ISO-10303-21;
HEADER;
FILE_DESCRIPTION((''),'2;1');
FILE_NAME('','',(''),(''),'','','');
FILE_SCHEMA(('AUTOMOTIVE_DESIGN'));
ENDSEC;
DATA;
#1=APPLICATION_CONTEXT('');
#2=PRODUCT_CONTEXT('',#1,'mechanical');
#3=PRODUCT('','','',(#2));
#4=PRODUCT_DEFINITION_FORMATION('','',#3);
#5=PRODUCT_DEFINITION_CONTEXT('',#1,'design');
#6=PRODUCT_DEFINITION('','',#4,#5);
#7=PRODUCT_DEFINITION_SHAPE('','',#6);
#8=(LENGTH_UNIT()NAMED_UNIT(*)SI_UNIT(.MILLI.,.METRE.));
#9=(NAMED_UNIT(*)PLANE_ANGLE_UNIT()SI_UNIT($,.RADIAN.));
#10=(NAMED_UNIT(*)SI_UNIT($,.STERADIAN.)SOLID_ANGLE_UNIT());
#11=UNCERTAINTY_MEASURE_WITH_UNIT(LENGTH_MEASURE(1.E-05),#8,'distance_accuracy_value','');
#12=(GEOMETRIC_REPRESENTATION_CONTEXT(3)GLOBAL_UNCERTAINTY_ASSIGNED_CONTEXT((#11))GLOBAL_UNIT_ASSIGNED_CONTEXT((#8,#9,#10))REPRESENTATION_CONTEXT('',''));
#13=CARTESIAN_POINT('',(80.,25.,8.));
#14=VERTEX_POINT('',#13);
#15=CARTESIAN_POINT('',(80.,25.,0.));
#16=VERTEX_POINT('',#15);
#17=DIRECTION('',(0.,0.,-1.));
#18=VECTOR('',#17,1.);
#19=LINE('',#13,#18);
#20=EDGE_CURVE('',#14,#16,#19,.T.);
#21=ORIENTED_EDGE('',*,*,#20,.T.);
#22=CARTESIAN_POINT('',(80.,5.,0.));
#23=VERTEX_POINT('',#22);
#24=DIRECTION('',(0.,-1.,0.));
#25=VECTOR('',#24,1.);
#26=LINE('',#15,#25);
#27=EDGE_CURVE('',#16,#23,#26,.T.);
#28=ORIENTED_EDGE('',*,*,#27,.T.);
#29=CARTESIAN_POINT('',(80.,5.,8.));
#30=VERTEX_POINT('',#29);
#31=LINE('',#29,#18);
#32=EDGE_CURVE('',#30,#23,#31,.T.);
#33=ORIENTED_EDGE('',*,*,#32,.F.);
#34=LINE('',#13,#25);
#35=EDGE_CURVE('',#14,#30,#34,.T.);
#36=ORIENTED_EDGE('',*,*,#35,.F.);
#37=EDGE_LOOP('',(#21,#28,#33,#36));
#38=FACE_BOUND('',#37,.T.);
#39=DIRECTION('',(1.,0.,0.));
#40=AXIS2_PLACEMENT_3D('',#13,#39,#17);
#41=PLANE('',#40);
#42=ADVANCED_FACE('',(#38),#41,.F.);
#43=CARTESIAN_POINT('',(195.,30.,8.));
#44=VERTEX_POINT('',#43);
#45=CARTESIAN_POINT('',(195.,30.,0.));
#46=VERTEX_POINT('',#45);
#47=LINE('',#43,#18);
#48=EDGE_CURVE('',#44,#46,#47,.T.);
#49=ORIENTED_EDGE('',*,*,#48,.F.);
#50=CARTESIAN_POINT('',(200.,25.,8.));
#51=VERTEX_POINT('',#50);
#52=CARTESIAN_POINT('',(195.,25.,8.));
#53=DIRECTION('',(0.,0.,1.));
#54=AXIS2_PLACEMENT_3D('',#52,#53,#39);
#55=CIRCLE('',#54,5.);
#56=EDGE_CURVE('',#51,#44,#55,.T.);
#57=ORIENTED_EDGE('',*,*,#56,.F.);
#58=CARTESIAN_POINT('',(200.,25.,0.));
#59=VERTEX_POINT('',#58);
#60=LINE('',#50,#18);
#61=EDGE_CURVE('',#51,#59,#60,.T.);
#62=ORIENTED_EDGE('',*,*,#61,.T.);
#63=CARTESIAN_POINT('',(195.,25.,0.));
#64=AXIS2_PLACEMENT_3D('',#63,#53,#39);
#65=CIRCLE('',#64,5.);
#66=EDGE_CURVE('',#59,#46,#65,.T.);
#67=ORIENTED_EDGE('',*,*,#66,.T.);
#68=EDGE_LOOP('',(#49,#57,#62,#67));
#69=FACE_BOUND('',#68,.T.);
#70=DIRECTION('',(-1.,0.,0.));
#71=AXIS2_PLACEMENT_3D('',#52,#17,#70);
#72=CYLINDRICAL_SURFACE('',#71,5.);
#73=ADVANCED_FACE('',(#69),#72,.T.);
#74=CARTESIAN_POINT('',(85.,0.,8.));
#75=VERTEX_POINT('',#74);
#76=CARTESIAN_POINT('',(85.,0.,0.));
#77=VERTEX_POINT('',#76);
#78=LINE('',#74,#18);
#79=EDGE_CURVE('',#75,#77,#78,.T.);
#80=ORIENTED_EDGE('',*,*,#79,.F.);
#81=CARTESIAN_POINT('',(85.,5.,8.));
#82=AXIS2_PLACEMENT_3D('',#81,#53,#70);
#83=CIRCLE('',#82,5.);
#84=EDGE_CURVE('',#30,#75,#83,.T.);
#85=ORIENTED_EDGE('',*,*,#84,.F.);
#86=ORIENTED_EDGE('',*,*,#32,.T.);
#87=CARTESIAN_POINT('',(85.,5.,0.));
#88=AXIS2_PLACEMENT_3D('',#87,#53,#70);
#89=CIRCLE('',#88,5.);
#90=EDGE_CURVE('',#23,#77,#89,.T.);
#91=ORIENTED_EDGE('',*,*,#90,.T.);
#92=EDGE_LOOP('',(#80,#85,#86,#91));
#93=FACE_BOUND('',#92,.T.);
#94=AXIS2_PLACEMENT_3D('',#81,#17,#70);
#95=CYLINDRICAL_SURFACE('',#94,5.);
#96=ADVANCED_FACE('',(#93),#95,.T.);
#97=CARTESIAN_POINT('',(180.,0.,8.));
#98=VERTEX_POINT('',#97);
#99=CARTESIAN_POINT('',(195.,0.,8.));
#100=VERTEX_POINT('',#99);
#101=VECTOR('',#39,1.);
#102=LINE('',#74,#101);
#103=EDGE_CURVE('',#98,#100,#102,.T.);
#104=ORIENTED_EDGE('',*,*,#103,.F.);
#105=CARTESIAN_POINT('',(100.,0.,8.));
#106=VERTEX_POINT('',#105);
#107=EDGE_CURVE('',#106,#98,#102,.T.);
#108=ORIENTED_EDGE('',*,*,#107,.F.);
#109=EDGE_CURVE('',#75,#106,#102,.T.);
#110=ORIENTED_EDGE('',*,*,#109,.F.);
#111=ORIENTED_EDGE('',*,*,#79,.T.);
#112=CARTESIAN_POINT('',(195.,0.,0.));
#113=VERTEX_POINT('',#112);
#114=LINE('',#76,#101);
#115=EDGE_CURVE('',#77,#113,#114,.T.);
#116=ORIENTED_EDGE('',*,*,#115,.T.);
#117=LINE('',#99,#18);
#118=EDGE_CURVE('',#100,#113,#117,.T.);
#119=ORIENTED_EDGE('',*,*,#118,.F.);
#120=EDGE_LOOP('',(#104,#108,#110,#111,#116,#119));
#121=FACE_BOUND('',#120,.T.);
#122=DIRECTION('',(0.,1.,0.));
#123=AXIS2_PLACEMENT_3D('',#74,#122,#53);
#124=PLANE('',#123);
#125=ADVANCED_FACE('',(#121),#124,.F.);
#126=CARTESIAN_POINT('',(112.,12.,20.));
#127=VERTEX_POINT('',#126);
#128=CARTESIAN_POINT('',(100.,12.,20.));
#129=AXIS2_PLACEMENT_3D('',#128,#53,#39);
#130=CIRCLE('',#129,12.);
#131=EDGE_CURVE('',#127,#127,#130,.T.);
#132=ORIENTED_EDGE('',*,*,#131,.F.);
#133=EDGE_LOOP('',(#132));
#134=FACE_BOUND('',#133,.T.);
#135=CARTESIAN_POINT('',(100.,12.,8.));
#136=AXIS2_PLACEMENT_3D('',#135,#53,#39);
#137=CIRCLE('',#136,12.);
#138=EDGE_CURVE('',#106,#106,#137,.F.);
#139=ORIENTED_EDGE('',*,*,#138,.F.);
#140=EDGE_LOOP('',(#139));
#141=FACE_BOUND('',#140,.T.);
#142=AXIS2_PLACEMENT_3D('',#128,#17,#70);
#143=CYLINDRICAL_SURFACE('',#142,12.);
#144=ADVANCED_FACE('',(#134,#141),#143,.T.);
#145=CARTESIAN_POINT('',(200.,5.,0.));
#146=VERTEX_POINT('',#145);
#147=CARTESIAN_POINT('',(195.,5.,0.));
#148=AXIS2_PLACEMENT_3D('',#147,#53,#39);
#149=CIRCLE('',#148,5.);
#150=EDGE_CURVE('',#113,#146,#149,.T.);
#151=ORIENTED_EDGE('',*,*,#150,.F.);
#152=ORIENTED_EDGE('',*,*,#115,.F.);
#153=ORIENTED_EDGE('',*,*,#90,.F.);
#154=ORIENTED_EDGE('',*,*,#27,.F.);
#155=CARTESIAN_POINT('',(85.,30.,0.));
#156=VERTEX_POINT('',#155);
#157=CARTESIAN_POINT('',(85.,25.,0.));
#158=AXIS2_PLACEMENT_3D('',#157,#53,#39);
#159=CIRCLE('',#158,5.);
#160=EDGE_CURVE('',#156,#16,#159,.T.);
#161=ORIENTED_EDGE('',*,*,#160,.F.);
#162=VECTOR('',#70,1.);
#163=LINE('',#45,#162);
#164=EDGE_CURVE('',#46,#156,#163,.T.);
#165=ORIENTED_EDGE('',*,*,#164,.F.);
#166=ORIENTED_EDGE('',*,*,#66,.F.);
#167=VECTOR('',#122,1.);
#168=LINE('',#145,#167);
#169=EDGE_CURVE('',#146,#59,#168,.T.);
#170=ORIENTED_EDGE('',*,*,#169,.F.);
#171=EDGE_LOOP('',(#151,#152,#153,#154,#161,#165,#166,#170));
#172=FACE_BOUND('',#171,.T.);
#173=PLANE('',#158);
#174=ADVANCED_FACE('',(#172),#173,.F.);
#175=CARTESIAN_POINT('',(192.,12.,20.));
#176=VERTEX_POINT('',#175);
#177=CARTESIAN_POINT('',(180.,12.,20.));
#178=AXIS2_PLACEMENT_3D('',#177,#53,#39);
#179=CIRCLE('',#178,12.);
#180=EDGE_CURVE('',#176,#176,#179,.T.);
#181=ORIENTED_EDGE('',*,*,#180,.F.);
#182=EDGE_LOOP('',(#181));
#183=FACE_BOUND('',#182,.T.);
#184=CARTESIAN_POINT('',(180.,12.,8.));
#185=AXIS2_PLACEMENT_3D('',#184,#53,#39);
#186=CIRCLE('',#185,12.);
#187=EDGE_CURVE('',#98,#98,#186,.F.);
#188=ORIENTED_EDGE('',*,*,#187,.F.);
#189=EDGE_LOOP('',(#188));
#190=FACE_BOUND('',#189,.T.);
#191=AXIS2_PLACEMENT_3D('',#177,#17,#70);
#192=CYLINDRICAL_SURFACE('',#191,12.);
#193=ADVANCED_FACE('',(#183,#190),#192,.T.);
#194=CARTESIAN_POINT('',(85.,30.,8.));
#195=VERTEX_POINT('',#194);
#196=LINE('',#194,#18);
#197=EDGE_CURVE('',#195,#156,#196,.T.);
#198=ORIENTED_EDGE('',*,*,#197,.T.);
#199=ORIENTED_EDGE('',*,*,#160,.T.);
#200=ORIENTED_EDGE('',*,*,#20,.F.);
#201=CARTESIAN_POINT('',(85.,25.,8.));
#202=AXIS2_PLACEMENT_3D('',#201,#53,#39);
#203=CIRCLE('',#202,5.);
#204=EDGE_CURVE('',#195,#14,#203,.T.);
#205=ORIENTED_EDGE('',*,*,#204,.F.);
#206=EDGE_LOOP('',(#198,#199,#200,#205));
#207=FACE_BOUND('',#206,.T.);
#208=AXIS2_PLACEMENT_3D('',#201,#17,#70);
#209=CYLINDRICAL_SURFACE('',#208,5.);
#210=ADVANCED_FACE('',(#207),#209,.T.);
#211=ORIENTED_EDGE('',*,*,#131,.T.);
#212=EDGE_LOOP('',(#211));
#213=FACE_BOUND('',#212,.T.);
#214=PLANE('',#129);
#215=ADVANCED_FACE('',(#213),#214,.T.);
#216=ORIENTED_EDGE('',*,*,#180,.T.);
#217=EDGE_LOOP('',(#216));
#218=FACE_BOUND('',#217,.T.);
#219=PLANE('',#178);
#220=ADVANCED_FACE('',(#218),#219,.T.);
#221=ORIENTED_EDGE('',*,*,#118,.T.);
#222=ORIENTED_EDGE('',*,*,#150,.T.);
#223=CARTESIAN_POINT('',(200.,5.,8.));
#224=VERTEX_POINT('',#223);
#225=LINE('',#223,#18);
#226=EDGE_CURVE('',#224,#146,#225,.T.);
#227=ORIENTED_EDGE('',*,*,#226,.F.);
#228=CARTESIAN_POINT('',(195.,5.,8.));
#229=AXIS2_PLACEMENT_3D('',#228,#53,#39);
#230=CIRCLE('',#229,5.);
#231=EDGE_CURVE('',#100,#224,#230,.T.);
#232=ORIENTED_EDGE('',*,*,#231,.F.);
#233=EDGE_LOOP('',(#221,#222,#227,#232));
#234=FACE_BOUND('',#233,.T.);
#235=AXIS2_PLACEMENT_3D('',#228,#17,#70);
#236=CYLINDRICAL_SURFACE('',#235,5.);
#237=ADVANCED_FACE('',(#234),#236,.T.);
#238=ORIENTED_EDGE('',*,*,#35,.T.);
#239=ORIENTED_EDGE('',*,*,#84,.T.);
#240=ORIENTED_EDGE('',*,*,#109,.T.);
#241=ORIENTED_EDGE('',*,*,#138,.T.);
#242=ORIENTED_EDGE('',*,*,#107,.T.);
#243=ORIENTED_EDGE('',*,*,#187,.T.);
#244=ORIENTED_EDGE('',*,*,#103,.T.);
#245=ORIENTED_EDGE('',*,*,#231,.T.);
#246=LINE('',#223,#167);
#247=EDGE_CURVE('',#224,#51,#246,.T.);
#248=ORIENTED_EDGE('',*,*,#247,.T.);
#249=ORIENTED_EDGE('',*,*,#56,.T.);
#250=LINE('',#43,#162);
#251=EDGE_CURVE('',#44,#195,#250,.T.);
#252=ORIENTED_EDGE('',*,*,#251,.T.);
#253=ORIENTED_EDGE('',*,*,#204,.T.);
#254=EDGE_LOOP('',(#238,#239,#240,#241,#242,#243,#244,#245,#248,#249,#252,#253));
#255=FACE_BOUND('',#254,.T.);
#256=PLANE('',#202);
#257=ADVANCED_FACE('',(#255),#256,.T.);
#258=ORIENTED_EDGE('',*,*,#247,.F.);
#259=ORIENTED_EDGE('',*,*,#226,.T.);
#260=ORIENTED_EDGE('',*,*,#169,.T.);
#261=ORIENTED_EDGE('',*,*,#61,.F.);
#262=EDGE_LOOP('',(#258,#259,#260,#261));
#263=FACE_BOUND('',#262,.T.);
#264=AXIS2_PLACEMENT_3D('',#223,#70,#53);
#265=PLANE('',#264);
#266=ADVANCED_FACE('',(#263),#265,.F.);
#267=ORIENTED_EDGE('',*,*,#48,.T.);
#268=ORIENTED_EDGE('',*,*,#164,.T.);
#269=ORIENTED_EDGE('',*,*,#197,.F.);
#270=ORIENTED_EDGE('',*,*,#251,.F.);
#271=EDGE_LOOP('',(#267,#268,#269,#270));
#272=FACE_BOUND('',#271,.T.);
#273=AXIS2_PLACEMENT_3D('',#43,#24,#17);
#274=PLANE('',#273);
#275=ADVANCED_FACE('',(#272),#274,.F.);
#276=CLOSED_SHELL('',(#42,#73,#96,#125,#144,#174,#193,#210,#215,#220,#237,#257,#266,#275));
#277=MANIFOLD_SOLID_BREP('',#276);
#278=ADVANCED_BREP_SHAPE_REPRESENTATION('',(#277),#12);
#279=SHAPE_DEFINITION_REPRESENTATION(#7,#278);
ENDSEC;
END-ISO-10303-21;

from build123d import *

# Parameters (mm, degrees)
BASEPLATE_DEPTH = 8
SKETCH_4_R      = 12
PIVOTA_DEPTH    = 20
SKETCH_5_R      = 12
PIVOTD_DEPTH    = 20


with BuildPart() as part:
    # 草图3 → BasePlate (new body)
    with BuildSketch(Plane.XY):
        with BuildLine():
            Line((85, 0), (195, 0))
            ThreePointArc((195, 0), (198.535533906, 1.464466094), (200, 5))
            Line((200, 5), (200, 25))
            ThreePointArc((200, 25), (198.535533906, 28.535533906), (195, 30))
            Line((195, 30), (85, 30))
            ThreePointArc((85, 30), (81.464466094, 28.535533906), (80, 25))
            Line((80, 25), (80, 5))
            ThreePointArc((80, 5), (81.464466094, 1.464466094), (85, 0))
        make_face()
    extrude(amount=BASEPLATE_DEPTH)

    # 草图4 → PivotA (add)
    with BuildSketch(Plane.XY):
        with Locations(Location((100, 12, 0), (0, 0, 270))):
            Circle(SKETCH_4_R)
    extrude(amount=PIVOTA_DEPTH)

    # 草图5 → PivotD (add)
    with BuildSketch(Plane.XY):
        with Locations(Location((180, 12, 0), (0, 0, 270))):
            Circle(SKETCH_5_R)
    extrude(amount=PIVOTD_DEPTH)


solid = part.part
